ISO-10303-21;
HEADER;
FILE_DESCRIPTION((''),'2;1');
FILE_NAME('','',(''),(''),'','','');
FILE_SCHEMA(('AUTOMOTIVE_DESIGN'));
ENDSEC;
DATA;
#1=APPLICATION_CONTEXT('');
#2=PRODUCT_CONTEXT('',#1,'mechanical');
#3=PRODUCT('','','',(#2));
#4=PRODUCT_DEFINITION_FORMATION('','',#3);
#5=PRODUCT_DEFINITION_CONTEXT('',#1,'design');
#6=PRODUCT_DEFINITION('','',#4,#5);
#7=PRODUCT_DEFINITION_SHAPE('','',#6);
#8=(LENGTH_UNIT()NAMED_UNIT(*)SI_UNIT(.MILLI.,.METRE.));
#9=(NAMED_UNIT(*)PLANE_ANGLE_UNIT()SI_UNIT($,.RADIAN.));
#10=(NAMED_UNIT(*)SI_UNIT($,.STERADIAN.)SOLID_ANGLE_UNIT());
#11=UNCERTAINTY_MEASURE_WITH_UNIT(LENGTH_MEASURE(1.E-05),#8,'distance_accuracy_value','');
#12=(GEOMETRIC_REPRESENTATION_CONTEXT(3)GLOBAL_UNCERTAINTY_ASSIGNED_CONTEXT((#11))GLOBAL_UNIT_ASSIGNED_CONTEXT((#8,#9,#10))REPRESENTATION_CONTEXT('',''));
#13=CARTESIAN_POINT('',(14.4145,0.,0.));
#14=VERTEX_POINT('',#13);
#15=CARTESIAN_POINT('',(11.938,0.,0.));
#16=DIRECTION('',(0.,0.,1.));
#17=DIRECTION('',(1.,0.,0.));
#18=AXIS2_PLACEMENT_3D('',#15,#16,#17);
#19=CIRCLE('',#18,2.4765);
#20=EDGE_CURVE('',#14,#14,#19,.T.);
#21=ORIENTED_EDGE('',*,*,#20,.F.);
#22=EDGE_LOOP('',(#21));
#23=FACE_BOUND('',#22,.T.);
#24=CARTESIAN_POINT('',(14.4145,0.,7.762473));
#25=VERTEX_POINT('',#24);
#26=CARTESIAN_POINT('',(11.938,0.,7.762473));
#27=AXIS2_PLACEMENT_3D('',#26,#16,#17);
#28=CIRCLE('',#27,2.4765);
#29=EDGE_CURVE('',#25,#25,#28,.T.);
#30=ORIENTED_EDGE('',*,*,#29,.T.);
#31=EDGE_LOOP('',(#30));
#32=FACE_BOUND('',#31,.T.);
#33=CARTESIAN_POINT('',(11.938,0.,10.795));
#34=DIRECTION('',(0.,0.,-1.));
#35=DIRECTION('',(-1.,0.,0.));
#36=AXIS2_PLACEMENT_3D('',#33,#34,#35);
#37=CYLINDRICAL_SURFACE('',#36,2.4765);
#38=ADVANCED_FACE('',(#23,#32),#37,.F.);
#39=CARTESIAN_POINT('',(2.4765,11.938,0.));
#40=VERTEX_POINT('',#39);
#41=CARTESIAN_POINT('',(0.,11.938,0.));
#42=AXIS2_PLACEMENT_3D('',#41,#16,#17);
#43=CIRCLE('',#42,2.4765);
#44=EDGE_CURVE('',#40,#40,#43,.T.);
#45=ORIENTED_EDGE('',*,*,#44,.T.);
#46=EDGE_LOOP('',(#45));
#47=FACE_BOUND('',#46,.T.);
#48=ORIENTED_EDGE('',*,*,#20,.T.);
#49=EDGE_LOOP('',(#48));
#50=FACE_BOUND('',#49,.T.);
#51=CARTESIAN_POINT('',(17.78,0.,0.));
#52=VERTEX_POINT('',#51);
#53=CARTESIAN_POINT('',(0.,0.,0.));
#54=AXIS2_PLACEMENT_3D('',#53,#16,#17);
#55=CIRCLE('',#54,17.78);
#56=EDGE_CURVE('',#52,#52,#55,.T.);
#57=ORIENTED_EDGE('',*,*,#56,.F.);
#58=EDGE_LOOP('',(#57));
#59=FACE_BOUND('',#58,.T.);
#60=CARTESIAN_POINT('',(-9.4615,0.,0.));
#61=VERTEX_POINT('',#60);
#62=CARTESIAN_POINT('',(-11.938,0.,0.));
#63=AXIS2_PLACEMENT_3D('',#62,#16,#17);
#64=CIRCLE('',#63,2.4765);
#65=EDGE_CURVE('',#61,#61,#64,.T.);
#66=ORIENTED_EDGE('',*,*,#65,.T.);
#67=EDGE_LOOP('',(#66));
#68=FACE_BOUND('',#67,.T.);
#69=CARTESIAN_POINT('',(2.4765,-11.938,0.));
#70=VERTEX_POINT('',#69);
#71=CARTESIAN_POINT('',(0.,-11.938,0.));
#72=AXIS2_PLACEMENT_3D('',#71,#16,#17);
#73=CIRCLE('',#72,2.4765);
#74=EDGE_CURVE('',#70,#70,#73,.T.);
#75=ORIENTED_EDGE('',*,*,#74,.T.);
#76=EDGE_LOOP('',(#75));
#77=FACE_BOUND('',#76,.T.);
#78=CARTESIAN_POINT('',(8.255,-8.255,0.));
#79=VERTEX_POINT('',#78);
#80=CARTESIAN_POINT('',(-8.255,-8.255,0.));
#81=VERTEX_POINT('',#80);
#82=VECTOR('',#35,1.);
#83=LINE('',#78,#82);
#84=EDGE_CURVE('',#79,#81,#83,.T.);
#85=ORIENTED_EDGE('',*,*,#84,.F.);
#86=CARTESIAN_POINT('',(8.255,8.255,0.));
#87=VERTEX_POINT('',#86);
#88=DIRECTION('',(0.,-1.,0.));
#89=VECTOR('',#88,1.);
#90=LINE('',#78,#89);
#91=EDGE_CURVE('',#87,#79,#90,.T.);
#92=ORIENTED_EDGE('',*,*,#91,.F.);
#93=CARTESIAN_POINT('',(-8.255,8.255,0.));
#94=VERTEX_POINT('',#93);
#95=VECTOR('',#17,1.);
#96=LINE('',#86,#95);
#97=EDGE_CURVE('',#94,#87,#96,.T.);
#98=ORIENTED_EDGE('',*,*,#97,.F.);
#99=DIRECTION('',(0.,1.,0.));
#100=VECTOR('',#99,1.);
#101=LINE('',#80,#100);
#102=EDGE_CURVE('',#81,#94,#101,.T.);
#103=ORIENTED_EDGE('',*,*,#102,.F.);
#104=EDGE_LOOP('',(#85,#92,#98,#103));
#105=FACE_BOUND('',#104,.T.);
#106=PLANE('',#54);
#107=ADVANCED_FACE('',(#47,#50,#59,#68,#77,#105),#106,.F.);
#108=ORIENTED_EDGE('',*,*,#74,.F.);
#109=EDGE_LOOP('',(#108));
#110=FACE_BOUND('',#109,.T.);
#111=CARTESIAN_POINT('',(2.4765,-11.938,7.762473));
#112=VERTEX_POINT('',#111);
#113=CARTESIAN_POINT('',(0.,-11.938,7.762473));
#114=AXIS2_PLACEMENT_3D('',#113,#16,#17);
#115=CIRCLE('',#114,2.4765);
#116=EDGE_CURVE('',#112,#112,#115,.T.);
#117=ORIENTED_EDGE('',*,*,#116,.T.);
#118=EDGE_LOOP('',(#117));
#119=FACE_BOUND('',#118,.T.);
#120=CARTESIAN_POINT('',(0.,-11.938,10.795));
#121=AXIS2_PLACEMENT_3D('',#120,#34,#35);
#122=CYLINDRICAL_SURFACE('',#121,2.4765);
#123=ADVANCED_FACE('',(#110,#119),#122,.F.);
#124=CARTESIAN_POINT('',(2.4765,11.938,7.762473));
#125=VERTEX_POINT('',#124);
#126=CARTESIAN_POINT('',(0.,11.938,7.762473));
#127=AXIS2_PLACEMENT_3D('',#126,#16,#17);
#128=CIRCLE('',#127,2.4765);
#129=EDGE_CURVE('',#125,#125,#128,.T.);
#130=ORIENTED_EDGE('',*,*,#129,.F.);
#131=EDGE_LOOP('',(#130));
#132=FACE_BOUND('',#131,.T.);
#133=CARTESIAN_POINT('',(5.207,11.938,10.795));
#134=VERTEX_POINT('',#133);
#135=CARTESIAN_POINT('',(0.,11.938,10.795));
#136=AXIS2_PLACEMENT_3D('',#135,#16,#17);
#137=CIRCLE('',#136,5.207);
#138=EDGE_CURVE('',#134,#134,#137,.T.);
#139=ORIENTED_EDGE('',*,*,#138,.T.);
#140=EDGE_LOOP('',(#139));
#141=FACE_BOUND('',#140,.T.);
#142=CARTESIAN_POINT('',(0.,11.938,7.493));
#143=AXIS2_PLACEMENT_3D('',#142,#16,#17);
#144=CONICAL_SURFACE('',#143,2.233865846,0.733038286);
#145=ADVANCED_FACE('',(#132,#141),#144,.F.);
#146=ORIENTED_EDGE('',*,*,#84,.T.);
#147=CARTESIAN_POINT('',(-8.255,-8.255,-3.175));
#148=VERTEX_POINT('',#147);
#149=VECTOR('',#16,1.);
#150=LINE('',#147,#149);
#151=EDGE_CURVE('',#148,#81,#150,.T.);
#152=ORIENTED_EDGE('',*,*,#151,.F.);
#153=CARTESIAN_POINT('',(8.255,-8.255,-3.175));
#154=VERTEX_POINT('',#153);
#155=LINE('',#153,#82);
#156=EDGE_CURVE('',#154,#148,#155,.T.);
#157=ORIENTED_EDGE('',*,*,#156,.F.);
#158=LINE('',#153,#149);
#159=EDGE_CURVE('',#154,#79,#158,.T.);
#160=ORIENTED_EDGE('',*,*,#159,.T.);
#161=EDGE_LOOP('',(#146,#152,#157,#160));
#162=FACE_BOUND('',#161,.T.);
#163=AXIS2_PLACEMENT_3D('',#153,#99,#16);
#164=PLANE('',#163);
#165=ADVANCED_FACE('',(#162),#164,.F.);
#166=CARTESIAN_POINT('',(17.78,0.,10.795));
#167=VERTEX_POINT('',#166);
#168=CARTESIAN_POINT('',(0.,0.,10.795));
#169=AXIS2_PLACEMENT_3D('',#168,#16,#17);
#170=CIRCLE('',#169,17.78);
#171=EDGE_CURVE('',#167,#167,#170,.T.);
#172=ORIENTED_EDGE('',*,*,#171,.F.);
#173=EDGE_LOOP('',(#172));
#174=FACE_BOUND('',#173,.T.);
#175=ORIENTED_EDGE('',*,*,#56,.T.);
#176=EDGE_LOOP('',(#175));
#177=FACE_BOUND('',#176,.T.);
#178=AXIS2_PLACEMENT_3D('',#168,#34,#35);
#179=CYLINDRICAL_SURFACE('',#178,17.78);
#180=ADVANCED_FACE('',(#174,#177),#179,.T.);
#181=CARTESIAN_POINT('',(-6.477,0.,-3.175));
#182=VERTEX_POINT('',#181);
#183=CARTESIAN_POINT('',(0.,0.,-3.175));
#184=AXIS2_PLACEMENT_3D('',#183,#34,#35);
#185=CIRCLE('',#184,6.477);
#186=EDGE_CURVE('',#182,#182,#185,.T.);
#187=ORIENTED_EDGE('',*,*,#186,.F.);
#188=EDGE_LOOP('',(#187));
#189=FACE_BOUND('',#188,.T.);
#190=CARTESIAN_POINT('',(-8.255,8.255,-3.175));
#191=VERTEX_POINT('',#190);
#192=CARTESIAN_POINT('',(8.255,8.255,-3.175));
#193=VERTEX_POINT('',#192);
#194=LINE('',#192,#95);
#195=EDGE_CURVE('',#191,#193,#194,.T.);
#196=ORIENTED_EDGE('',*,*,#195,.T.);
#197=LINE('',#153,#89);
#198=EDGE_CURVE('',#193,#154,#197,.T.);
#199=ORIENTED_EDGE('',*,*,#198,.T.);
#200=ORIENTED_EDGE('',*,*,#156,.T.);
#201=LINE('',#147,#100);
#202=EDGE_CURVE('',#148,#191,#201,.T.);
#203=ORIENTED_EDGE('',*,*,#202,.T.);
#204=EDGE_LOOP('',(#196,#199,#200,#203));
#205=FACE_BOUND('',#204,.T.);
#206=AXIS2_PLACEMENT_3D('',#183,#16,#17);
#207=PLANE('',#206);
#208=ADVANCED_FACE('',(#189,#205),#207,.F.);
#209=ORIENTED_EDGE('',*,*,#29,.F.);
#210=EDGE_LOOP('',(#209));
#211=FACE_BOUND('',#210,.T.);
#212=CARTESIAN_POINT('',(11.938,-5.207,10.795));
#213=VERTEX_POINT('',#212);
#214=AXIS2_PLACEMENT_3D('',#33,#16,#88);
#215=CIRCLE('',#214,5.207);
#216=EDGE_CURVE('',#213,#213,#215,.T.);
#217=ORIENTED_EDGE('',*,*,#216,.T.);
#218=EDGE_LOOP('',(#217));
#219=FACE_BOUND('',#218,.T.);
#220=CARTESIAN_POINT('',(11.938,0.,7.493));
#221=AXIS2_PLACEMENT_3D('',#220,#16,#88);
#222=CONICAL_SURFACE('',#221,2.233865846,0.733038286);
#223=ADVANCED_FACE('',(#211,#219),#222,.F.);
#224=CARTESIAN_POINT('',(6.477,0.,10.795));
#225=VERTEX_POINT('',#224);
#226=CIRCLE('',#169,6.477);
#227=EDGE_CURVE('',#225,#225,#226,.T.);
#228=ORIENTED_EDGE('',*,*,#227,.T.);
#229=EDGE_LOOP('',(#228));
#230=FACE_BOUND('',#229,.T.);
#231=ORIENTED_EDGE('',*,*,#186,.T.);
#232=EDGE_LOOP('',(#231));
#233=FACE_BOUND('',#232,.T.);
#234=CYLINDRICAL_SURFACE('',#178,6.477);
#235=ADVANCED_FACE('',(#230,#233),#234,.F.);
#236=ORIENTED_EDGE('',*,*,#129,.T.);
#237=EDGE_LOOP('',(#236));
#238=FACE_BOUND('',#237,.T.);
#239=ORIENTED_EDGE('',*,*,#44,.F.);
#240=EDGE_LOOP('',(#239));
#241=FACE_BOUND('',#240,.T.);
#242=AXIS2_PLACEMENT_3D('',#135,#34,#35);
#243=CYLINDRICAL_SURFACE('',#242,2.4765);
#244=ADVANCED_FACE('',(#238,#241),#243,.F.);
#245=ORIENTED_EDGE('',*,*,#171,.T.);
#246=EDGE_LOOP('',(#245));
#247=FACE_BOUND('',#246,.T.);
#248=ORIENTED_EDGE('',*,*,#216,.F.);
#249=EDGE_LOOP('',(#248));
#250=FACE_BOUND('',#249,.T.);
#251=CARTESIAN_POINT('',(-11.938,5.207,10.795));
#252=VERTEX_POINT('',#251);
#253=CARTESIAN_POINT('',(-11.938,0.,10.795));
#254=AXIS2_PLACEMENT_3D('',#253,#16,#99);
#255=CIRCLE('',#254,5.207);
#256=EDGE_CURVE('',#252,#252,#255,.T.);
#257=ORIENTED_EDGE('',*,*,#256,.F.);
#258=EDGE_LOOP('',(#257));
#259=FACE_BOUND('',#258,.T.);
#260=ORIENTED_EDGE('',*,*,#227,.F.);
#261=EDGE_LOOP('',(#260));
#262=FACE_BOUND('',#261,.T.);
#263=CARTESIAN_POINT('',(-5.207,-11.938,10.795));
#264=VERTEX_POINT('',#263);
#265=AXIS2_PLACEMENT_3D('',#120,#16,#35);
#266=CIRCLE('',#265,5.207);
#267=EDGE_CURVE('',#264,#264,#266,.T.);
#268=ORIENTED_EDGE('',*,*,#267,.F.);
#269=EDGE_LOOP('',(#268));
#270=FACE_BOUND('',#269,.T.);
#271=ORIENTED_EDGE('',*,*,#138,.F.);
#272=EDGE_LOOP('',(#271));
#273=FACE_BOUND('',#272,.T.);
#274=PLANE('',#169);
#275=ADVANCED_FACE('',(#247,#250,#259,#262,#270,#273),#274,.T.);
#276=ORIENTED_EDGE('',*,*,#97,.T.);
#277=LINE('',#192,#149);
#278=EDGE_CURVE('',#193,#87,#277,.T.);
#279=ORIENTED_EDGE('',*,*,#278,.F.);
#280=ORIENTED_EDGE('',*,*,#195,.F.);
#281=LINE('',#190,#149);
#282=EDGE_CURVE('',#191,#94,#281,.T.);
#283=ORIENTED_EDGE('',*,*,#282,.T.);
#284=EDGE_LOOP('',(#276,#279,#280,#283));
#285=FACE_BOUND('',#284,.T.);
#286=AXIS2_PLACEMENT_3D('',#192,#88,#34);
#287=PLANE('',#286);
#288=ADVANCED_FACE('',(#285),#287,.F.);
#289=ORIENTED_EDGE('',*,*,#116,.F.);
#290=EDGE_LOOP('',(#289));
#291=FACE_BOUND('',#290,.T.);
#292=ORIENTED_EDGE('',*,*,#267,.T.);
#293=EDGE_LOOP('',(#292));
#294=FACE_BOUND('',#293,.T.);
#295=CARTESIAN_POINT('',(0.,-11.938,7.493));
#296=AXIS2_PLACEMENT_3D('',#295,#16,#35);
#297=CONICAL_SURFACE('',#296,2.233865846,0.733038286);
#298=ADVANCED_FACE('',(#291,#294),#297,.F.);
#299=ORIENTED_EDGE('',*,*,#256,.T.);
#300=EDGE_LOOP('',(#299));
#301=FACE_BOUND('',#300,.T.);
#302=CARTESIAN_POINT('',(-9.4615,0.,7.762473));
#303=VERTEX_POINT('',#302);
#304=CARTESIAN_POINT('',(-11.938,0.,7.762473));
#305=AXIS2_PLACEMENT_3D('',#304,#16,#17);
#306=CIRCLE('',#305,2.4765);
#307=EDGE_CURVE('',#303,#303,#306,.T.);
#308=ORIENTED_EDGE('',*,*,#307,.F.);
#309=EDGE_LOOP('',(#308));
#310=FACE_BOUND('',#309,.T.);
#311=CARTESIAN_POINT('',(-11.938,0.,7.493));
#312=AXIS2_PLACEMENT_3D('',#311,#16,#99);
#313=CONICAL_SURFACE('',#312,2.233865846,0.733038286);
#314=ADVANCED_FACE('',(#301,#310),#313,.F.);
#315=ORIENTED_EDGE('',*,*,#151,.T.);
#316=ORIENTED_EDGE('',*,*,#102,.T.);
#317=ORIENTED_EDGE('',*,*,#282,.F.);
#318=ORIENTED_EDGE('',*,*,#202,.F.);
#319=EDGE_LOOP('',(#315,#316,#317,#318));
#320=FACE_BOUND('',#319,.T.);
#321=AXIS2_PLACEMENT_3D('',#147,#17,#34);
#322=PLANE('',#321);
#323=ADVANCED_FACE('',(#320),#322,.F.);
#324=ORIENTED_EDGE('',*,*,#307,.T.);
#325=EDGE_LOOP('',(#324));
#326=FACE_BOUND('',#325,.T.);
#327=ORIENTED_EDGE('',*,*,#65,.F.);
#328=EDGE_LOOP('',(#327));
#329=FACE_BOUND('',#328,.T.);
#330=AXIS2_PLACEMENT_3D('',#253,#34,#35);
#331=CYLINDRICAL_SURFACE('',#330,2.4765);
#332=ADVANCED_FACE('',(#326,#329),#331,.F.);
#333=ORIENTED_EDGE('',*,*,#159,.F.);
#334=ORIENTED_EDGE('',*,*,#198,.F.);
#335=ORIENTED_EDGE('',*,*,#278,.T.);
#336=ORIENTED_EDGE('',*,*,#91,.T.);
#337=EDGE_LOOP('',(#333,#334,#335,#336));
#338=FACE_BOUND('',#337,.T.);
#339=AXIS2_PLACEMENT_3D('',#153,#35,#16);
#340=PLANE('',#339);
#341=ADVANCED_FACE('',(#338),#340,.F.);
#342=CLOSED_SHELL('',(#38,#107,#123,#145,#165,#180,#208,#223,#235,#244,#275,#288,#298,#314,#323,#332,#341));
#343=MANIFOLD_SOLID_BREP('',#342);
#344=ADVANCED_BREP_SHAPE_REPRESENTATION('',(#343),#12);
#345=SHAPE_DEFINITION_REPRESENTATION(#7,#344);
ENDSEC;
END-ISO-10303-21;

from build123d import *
from build123d.topology import SkipClean

# Parameters (mm, degrees)
SKETCH1_R           = 17.78
SKETCH1_R_2         = 2.4765
SKETCH1_R_3         = 6.477
BOSS_EXTRUDE1_DEPTH = 10.795
BOSS_EXTRUDE2_START = 3.175
SKETCH2_W           = 16.51
SKETCH2_H           = 16.51
SKETCH2_R           = 6.477
BOSS_EXTRUDE2_DEPTH = 3.175
CIRPATTERN4_COUNT   = 4


with BuildPart() as part:
    # Sketch1 → Boss-Extrude1 (new body)
    with BuildSketch(Plane.XY):
        Circle(SKETCH1_R)
        with Locations((-11.938, 0)):
            Circle(SKETCH1_R_2, mode=Mode.SUBTRACT)
        with Locations((0, -11.938)):
            Circle(SKETCH1_R_2, mode=Mode.SUBTRACT)
        with Locations((11.938, 0)):
            Circle(SKETCH1_R_2, mode=Mode.SUBTRACT)
        with Locations((0, 11.938)):
            Circle(SKETCH1_R_2, mode=Mode.SUBTRACT)
        Circle(SKETCH1_R_3, mode=Mode.SUBTRACT)
    extrude(amount=BOSS_EXTRUDE1_DEPTH)

    # Sketch2 → Boss-Extrude2 (add)
    with SkipClean():  # the faces are left unmerged after this step: merging them gives an invalid solid
        with BuildSketch(Plane(origin=(0, 0, 0), x_dir=(-1, 0, 0), z_dir=(0, 0, -1)).offset(BOSS_EXTRUDE2_START)):
            Rectangle(SKETCH2_W, SKETCH2_H)
            Circle(SKETCH2_R, mode=Mode.SUBTRACT)
        extrude(amount=-BOSS_EXTRUDE2_DEPTH)

    # Sketch5 → Cut-Revolve1 (revolve, cut)
    with SkipClean():  # the faces are left unmerged after this step: merging them gives an invalid solid
        with BuildSketch(Plane(origin=(0, 0, 0), x_dir=(0, 0, -1), z_dir=(1, 0, 0)), mode=Mode.PRIVATE) as cut_revolve1_sk:
            Polygon((-10.795, 11.938), (-10.795, 17.145), (-7.493, 14.171865846), (-7.493, 11.938), align=None)
        cut_revolve1 = revolve(cut_revolve1_sk.sketch.rotate(Axis((0, 11.938, 10.795), (0, 0, -1)), 90), axis=Axis((0, 11.938, 10.795), (0, 0, -1)), mode=Mode.SUBTRACT)

    # CirPattern4: Cut-Revolve1 ×4 about axis
    with SkipClean():  # the faces are left unmerged after this step: merging them gives an invalid solid
        cirpattern4_axis = Axis((0, 0, 0), (0, 0, 1))
        for i in range(1, CIRPATTERN4_COUNT):
            add(cut_revolve1.rotate(cirpattern4_axis, i * 360 / CIRPATTERN4_COUNT), mode=Mode.SUBTRACT)


solid = part.part
